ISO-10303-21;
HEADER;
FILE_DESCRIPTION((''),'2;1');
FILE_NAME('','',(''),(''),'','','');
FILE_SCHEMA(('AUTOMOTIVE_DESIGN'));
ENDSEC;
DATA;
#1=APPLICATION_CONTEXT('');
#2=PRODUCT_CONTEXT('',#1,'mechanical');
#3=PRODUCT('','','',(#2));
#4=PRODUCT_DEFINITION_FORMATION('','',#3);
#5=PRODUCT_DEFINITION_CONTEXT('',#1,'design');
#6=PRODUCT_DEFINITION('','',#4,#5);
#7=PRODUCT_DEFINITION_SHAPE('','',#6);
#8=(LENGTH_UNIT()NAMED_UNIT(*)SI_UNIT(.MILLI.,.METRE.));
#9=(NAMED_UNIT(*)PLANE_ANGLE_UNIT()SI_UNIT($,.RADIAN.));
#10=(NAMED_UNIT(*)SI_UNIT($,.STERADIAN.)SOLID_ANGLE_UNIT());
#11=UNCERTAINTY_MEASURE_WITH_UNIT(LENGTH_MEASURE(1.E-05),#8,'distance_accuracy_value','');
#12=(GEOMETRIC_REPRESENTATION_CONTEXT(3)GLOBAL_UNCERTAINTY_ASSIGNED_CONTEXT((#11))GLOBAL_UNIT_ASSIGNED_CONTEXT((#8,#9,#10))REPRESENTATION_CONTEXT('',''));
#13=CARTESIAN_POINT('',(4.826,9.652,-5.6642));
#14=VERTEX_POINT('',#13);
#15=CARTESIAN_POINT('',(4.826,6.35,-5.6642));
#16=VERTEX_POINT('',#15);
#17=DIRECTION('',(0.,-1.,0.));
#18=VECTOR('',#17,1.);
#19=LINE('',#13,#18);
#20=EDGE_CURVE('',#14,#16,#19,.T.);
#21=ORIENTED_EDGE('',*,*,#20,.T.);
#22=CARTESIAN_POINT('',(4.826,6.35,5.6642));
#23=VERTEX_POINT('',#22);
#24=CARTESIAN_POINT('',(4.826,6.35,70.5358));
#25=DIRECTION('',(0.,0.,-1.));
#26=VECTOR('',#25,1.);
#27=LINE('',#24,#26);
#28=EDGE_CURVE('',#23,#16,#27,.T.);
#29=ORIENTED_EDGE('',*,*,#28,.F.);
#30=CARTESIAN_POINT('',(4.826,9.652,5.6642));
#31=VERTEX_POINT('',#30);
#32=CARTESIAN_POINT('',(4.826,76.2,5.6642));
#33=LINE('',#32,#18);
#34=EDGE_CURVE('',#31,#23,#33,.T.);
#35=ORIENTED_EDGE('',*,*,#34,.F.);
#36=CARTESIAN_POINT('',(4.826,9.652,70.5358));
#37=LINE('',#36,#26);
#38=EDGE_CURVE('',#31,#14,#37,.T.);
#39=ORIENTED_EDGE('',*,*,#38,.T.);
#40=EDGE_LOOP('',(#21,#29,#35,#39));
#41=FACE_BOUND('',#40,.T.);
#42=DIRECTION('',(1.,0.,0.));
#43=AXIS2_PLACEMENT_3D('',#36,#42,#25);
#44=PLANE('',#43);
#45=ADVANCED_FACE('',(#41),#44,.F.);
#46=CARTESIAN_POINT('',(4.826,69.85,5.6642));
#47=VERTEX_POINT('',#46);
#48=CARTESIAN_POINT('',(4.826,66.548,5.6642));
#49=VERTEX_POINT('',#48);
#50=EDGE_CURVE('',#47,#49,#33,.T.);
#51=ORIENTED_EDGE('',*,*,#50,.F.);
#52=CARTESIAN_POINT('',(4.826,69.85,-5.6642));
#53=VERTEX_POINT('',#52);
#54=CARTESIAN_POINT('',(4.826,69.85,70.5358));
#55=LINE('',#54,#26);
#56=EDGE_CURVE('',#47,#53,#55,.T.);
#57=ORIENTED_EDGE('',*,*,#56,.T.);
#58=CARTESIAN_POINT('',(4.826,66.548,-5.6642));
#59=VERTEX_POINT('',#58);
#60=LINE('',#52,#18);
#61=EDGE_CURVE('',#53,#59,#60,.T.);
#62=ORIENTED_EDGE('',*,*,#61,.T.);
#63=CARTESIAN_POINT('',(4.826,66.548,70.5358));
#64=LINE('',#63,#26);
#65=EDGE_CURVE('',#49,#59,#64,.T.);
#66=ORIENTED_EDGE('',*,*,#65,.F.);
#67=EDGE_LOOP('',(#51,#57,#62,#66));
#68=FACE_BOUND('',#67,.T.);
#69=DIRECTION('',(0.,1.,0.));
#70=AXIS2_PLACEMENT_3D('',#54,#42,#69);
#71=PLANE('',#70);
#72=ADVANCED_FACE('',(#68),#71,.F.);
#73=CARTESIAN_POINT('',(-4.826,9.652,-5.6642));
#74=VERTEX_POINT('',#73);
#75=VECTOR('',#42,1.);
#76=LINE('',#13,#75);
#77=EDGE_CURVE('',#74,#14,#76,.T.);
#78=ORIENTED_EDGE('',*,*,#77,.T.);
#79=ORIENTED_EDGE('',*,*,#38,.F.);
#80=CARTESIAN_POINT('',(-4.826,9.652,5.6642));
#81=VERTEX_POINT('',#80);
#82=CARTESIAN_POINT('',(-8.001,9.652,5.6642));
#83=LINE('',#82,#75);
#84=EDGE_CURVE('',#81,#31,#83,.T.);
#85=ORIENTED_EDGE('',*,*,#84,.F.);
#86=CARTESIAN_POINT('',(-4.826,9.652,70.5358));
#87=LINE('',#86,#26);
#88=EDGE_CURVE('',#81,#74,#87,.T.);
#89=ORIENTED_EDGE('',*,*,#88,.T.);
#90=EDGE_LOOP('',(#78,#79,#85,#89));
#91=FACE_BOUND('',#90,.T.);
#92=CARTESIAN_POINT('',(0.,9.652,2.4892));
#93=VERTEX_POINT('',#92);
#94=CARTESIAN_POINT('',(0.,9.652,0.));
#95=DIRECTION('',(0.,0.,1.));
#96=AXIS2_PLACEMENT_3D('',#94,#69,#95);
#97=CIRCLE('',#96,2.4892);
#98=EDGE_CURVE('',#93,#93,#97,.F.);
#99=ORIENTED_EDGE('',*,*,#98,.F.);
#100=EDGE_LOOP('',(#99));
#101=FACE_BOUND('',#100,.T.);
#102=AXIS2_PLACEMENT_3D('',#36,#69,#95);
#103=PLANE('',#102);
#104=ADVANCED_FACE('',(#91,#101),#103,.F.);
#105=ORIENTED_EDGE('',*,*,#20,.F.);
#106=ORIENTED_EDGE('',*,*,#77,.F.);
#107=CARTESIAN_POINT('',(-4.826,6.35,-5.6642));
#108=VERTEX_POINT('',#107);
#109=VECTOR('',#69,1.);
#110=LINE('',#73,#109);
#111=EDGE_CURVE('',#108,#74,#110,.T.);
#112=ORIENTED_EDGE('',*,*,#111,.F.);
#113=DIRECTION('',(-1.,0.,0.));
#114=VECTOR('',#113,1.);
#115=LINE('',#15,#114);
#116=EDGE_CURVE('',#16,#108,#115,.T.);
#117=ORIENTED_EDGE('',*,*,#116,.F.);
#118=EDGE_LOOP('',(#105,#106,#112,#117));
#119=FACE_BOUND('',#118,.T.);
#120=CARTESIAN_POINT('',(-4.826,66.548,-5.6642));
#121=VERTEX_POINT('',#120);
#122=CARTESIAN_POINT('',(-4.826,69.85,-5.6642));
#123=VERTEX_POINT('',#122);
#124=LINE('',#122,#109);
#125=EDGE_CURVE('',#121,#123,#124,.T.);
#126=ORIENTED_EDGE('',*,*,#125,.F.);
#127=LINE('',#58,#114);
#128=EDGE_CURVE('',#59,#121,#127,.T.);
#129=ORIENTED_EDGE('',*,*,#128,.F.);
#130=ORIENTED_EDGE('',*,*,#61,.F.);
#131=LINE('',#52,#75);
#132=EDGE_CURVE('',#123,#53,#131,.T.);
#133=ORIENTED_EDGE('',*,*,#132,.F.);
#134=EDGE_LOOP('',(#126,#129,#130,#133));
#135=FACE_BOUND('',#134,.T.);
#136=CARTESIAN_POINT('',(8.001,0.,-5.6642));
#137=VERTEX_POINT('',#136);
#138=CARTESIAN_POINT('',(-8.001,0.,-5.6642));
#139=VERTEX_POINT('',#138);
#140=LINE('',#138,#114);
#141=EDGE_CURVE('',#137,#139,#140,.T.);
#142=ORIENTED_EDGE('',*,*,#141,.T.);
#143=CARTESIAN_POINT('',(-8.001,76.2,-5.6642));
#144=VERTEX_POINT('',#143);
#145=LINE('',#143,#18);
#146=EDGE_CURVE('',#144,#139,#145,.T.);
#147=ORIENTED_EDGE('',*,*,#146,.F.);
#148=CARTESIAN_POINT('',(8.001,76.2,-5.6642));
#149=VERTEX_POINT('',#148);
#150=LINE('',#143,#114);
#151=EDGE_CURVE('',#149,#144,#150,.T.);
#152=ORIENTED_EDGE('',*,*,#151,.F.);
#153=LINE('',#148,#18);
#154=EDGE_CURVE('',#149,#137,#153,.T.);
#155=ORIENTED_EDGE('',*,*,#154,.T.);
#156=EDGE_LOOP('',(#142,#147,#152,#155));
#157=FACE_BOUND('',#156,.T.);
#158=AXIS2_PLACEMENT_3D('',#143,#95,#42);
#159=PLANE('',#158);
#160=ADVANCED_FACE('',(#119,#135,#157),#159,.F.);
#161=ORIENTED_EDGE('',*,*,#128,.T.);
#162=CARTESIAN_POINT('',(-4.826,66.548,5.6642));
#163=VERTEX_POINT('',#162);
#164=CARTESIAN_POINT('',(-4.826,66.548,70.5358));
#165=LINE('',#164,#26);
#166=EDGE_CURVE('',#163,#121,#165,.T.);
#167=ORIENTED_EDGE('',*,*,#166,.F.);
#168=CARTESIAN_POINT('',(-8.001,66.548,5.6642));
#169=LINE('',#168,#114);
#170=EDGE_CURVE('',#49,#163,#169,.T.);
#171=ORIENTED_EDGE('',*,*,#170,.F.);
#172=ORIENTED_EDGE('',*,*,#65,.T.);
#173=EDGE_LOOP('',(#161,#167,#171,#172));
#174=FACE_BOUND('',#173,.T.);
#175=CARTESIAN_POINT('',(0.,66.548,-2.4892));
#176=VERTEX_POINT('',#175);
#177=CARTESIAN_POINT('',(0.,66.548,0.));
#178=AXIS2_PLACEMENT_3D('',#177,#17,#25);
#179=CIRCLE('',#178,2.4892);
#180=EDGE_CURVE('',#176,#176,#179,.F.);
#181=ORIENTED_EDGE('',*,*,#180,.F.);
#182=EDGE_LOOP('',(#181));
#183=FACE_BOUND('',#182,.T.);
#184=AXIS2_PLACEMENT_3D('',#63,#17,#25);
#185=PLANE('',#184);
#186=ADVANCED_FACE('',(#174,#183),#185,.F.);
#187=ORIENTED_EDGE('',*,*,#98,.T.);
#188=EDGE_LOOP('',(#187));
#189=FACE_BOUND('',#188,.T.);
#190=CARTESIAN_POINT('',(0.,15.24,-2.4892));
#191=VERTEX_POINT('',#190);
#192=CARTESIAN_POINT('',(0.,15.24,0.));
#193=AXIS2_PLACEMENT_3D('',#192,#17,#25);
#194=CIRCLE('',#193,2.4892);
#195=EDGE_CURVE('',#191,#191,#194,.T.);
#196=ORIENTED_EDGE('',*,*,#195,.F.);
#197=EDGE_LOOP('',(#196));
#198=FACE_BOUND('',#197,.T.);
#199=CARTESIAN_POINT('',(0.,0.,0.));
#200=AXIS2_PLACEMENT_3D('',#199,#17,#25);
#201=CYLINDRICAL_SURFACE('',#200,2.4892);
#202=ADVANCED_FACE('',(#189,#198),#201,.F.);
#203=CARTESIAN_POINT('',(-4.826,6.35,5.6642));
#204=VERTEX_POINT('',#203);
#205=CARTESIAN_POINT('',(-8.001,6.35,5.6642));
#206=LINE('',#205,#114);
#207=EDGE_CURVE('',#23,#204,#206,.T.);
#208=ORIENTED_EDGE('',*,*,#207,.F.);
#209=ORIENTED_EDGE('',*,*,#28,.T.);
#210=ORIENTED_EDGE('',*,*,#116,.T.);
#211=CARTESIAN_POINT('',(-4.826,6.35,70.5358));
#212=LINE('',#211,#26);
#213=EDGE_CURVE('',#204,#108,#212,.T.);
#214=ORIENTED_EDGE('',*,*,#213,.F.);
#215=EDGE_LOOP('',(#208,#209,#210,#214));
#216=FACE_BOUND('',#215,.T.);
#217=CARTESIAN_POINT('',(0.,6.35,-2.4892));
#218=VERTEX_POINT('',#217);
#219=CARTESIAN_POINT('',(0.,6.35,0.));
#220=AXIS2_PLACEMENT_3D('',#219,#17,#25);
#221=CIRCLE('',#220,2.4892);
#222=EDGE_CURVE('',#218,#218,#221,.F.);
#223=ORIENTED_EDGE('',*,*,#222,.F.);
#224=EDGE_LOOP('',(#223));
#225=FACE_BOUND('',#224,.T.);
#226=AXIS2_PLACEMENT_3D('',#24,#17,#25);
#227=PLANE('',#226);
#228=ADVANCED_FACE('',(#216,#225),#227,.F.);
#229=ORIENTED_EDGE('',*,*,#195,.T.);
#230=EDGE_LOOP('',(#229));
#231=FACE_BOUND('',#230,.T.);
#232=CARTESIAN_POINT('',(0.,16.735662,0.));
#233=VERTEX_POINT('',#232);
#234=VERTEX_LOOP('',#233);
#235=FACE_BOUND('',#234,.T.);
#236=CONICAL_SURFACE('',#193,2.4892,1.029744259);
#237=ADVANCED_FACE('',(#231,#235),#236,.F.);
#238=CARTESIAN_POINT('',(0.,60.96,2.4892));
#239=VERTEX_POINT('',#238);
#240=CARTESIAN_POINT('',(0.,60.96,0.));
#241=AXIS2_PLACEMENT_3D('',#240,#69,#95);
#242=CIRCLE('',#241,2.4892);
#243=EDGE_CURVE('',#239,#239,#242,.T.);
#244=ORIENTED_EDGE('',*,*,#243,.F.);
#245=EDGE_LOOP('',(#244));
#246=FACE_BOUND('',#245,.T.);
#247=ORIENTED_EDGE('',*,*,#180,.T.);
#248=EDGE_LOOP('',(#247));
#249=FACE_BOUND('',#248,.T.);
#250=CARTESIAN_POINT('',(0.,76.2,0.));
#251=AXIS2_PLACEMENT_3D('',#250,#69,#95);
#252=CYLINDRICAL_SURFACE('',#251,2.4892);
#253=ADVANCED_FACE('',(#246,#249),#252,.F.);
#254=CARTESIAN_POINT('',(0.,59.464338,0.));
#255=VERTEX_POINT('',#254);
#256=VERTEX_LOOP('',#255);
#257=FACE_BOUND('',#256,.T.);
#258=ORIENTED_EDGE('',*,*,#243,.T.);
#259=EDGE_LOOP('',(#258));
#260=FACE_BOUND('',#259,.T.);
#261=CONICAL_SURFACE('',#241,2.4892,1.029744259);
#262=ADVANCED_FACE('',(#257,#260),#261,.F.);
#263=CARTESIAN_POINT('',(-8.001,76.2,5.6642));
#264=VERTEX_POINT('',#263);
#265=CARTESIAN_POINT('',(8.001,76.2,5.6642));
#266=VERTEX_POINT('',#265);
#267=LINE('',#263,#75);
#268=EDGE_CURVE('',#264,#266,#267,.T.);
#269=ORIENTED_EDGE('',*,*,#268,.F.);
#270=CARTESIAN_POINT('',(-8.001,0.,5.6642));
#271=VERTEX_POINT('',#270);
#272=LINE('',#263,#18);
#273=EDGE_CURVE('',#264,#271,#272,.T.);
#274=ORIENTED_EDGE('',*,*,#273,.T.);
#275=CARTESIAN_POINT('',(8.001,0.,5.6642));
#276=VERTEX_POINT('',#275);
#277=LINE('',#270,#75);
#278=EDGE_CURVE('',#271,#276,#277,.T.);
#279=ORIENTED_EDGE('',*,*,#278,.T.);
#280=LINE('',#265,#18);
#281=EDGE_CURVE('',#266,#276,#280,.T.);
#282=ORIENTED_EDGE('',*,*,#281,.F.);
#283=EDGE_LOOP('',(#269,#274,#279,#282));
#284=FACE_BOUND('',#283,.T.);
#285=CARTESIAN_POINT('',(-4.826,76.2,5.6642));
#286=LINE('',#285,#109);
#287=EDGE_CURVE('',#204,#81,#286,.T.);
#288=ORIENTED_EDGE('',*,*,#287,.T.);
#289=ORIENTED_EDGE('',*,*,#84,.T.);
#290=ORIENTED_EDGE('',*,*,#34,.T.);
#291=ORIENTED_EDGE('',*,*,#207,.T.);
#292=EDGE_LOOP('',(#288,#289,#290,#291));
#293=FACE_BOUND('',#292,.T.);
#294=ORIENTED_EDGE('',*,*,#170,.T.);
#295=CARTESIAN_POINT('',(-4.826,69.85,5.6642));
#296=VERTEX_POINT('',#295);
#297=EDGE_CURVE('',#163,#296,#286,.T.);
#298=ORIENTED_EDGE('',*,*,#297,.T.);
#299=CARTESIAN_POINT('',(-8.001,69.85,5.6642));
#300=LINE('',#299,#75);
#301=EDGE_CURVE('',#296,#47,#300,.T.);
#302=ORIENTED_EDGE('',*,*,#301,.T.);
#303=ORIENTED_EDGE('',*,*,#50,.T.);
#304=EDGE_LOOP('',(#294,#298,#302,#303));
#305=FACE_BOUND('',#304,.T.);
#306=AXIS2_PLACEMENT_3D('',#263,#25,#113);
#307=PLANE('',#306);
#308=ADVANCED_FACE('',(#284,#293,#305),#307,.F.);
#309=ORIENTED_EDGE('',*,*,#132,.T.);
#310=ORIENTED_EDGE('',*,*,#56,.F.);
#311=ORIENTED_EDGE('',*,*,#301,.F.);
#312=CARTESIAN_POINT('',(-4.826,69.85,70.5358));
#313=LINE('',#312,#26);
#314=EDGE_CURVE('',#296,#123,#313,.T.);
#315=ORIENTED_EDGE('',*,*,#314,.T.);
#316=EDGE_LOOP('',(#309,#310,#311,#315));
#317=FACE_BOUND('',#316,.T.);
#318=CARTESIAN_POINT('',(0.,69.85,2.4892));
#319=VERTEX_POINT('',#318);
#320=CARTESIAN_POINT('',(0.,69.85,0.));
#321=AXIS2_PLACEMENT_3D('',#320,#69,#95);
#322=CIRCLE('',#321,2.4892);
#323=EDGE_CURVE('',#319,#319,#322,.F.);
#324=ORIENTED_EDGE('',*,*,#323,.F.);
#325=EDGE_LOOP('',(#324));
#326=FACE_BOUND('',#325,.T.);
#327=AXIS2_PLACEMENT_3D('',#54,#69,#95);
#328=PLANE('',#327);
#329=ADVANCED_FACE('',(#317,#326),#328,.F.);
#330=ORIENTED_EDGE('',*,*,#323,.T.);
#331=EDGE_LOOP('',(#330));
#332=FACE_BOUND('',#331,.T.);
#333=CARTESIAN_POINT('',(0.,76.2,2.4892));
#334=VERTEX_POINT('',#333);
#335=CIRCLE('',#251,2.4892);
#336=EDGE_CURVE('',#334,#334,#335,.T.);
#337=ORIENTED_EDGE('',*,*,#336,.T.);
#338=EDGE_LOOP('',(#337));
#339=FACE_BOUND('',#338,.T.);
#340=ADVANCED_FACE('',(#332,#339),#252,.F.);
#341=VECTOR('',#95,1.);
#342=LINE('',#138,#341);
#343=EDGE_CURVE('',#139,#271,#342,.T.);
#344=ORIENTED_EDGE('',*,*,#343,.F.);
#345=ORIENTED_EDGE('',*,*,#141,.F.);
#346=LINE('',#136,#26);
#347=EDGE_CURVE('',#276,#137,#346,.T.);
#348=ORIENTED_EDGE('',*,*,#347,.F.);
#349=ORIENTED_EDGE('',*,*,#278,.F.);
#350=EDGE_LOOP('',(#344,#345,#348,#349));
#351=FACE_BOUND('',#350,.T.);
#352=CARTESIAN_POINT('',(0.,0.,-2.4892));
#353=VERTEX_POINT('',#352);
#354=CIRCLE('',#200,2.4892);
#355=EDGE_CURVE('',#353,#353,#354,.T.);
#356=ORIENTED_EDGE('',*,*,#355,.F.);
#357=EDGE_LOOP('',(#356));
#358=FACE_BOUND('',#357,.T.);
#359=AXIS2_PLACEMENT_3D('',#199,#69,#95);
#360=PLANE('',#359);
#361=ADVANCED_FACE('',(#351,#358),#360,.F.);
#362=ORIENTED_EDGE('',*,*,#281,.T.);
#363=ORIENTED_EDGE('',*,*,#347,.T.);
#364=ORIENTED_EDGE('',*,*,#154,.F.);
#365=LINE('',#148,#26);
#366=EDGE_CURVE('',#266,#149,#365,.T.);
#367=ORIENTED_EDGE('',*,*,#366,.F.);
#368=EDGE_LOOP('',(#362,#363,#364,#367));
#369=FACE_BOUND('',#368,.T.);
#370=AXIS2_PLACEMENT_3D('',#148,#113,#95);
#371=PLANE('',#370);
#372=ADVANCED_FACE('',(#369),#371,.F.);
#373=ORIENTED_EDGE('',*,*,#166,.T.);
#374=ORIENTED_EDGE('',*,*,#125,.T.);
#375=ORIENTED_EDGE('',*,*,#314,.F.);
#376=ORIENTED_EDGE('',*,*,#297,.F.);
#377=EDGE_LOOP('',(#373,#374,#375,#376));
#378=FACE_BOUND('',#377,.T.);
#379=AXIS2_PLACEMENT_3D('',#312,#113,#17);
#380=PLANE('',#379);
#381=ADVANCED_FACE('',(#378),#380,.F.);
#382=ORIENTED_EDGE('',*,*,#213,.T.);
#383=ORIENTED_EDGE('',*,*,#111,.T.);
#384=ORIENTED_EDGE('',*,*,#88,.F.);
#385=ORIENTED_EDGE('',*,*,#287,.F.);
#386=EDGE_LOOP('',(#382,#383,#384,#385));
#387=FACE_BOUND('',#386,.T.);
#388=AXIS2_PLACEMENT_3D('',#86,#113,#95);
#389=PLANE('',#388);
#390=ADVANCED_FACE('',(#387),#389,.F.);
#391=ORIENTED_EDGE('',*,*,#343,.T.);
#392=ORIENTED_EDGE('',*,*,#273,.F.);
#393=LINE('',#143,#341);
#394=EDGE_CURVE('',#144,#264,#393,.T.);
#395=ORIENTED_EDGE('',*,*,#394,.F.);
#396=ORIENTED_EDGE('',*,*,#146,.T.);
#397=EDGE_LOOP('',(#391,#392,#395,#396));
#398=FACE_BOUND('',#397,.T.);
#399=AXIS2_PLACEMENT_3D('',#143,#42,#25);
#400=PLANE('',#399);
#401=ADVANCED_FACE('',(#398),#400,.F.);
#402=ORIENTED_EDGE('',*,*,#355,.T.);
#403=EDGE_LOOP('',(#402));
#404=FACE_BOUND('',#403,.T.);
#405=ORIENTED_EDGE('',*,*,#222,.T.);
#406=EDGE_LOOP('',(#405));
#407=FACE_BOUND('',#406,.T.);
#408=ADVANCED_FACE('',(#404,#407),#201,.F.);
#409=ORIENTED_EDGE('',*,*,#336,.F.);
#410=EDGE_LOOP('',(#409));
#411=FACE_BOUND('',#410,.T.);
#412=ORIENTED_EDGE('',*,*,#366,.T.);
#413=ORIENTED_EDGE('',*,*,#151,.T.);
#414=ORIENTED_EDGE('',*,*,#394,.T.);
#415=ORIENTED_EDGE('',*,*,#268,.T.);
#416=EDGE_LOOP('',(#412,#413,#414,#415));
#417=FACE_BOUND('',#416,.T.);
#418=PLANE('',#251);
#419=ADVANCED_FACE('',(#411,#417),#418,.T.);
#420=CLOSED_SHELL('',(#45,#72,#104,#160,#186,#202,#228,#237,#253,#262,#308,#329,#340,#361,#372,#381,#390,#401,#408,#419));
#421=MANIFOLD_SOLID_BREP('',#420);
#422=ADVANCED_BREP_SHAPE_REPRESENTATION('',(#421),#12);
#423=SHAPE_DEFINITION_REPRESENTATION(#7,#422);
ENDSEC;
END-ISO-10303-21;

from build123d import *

# Parameters (mm, degrees)
SKETCH1_W                      = 16.002
SKETCH1_H                      = 11.3284
BOSS_EXTRUDE1_DEPTH            = 76.2
F_9_0_196_DIAMETER_HOLE1_D     = 4.9784
F_9_0_196_DIAMETER_HOLE1_DEPTH = 15.24
F_9_0_196_DIAMETER_HOLE1_TIP   = 1.495662253
F_9_0_196_DIAMETER_HOLE2_D     = 4.9784
F_9_0_196_DIAMETER_HOLE2_DEPTH = 15.24
F_9_0_196_DIAMETER_HOLE2_TIP   = 1.495662253
SKETCH9_W                      = 9.652
SKETCH9_H                      = 3.302
CUT_EXTRUDE1_DEPTH             = 76.2


with BuildPart() as part:
    # Sketch1 → Boss-Extrude1 (new body)
    with BuildSketch(Plane(origin=(0, 0, 0), x_dir=(1, 0, 0), z_dir=(0, 1, 0))):
        Rectangle(SKETCH1_W, SKETCH1_H)
    extrude(amount=BOSS_EXTRUDE1_DEPTH)

    # #9 (0.196) Diameter Hole1
    with Locations(Plane(origin=(0, 76.2, 0), x_dir=(1, 0, 0), z_dir=(0, 1, 0))):
        with Locations((0, 0)):
            Hole(F_9_0_196_DIAMETER_HOLE1_D / 2, depth=F_9_0_196_DIAMETER_HOLE1_DEPTH)
            with Locations((0, 0, -(F_9_0_196_DIAMETER_HOLE1_DEPTH + F_9_0_196_DIAMETER_HOLE1_TIP / 2))):  # 118° drill point
                Cone(0, F_9_0_196_DIAMETER_HOLE1_D / 2, F_9_0_196_DIAMETER_HOLE1_TIP, mode=Mode.SUBTRACT)

    # #9 (0.196) Diameter Hole2
    with Locations(Plane(origin=(0, 0, 0), x_dir=(-1, 0, 0), z_dir=(0, -1, 0))):
        with Locations((0, 0)):
            Hole(F_9_0_196_DIAMETER_HOLE2_D / 2, depth=F_9_0_196_DIAMETER_HOLE2_DEPTH)
            with Locations((0, 0, -(F_9_0_196_DIAMETER_HOLE2_DEPTH + F_9_0_196_DIAMETER_HOLE2_TIP / 2))):  # 118° drill point
                Cone(0, F_9_0_196_DIAMETER_HOLE2_D / 2, F_9_0_196_DIAMETER_HOLE2_TIP, mode=Mode.SUBTRACT)

    # Sketch9 → Cut-Extrude1 (cut)
    with BuildSketch(Plane(origin=(0, 0, -5.6642), x_dir=(-1, 0, 0), z_dir=(0, 0, -1))):
        with Locations((0, 8.001)):
            Rectangle(SKETCH9_W, SKETCH9_H)
        with Locations((0, 68.199)):
            Rectangle(SKETCH9_W, SKETCH9_H)
    extrude(amount=-CUT_EXTRUDE1_DEPTH, mode=Mode.SUBTRACT)


solid = part.part
